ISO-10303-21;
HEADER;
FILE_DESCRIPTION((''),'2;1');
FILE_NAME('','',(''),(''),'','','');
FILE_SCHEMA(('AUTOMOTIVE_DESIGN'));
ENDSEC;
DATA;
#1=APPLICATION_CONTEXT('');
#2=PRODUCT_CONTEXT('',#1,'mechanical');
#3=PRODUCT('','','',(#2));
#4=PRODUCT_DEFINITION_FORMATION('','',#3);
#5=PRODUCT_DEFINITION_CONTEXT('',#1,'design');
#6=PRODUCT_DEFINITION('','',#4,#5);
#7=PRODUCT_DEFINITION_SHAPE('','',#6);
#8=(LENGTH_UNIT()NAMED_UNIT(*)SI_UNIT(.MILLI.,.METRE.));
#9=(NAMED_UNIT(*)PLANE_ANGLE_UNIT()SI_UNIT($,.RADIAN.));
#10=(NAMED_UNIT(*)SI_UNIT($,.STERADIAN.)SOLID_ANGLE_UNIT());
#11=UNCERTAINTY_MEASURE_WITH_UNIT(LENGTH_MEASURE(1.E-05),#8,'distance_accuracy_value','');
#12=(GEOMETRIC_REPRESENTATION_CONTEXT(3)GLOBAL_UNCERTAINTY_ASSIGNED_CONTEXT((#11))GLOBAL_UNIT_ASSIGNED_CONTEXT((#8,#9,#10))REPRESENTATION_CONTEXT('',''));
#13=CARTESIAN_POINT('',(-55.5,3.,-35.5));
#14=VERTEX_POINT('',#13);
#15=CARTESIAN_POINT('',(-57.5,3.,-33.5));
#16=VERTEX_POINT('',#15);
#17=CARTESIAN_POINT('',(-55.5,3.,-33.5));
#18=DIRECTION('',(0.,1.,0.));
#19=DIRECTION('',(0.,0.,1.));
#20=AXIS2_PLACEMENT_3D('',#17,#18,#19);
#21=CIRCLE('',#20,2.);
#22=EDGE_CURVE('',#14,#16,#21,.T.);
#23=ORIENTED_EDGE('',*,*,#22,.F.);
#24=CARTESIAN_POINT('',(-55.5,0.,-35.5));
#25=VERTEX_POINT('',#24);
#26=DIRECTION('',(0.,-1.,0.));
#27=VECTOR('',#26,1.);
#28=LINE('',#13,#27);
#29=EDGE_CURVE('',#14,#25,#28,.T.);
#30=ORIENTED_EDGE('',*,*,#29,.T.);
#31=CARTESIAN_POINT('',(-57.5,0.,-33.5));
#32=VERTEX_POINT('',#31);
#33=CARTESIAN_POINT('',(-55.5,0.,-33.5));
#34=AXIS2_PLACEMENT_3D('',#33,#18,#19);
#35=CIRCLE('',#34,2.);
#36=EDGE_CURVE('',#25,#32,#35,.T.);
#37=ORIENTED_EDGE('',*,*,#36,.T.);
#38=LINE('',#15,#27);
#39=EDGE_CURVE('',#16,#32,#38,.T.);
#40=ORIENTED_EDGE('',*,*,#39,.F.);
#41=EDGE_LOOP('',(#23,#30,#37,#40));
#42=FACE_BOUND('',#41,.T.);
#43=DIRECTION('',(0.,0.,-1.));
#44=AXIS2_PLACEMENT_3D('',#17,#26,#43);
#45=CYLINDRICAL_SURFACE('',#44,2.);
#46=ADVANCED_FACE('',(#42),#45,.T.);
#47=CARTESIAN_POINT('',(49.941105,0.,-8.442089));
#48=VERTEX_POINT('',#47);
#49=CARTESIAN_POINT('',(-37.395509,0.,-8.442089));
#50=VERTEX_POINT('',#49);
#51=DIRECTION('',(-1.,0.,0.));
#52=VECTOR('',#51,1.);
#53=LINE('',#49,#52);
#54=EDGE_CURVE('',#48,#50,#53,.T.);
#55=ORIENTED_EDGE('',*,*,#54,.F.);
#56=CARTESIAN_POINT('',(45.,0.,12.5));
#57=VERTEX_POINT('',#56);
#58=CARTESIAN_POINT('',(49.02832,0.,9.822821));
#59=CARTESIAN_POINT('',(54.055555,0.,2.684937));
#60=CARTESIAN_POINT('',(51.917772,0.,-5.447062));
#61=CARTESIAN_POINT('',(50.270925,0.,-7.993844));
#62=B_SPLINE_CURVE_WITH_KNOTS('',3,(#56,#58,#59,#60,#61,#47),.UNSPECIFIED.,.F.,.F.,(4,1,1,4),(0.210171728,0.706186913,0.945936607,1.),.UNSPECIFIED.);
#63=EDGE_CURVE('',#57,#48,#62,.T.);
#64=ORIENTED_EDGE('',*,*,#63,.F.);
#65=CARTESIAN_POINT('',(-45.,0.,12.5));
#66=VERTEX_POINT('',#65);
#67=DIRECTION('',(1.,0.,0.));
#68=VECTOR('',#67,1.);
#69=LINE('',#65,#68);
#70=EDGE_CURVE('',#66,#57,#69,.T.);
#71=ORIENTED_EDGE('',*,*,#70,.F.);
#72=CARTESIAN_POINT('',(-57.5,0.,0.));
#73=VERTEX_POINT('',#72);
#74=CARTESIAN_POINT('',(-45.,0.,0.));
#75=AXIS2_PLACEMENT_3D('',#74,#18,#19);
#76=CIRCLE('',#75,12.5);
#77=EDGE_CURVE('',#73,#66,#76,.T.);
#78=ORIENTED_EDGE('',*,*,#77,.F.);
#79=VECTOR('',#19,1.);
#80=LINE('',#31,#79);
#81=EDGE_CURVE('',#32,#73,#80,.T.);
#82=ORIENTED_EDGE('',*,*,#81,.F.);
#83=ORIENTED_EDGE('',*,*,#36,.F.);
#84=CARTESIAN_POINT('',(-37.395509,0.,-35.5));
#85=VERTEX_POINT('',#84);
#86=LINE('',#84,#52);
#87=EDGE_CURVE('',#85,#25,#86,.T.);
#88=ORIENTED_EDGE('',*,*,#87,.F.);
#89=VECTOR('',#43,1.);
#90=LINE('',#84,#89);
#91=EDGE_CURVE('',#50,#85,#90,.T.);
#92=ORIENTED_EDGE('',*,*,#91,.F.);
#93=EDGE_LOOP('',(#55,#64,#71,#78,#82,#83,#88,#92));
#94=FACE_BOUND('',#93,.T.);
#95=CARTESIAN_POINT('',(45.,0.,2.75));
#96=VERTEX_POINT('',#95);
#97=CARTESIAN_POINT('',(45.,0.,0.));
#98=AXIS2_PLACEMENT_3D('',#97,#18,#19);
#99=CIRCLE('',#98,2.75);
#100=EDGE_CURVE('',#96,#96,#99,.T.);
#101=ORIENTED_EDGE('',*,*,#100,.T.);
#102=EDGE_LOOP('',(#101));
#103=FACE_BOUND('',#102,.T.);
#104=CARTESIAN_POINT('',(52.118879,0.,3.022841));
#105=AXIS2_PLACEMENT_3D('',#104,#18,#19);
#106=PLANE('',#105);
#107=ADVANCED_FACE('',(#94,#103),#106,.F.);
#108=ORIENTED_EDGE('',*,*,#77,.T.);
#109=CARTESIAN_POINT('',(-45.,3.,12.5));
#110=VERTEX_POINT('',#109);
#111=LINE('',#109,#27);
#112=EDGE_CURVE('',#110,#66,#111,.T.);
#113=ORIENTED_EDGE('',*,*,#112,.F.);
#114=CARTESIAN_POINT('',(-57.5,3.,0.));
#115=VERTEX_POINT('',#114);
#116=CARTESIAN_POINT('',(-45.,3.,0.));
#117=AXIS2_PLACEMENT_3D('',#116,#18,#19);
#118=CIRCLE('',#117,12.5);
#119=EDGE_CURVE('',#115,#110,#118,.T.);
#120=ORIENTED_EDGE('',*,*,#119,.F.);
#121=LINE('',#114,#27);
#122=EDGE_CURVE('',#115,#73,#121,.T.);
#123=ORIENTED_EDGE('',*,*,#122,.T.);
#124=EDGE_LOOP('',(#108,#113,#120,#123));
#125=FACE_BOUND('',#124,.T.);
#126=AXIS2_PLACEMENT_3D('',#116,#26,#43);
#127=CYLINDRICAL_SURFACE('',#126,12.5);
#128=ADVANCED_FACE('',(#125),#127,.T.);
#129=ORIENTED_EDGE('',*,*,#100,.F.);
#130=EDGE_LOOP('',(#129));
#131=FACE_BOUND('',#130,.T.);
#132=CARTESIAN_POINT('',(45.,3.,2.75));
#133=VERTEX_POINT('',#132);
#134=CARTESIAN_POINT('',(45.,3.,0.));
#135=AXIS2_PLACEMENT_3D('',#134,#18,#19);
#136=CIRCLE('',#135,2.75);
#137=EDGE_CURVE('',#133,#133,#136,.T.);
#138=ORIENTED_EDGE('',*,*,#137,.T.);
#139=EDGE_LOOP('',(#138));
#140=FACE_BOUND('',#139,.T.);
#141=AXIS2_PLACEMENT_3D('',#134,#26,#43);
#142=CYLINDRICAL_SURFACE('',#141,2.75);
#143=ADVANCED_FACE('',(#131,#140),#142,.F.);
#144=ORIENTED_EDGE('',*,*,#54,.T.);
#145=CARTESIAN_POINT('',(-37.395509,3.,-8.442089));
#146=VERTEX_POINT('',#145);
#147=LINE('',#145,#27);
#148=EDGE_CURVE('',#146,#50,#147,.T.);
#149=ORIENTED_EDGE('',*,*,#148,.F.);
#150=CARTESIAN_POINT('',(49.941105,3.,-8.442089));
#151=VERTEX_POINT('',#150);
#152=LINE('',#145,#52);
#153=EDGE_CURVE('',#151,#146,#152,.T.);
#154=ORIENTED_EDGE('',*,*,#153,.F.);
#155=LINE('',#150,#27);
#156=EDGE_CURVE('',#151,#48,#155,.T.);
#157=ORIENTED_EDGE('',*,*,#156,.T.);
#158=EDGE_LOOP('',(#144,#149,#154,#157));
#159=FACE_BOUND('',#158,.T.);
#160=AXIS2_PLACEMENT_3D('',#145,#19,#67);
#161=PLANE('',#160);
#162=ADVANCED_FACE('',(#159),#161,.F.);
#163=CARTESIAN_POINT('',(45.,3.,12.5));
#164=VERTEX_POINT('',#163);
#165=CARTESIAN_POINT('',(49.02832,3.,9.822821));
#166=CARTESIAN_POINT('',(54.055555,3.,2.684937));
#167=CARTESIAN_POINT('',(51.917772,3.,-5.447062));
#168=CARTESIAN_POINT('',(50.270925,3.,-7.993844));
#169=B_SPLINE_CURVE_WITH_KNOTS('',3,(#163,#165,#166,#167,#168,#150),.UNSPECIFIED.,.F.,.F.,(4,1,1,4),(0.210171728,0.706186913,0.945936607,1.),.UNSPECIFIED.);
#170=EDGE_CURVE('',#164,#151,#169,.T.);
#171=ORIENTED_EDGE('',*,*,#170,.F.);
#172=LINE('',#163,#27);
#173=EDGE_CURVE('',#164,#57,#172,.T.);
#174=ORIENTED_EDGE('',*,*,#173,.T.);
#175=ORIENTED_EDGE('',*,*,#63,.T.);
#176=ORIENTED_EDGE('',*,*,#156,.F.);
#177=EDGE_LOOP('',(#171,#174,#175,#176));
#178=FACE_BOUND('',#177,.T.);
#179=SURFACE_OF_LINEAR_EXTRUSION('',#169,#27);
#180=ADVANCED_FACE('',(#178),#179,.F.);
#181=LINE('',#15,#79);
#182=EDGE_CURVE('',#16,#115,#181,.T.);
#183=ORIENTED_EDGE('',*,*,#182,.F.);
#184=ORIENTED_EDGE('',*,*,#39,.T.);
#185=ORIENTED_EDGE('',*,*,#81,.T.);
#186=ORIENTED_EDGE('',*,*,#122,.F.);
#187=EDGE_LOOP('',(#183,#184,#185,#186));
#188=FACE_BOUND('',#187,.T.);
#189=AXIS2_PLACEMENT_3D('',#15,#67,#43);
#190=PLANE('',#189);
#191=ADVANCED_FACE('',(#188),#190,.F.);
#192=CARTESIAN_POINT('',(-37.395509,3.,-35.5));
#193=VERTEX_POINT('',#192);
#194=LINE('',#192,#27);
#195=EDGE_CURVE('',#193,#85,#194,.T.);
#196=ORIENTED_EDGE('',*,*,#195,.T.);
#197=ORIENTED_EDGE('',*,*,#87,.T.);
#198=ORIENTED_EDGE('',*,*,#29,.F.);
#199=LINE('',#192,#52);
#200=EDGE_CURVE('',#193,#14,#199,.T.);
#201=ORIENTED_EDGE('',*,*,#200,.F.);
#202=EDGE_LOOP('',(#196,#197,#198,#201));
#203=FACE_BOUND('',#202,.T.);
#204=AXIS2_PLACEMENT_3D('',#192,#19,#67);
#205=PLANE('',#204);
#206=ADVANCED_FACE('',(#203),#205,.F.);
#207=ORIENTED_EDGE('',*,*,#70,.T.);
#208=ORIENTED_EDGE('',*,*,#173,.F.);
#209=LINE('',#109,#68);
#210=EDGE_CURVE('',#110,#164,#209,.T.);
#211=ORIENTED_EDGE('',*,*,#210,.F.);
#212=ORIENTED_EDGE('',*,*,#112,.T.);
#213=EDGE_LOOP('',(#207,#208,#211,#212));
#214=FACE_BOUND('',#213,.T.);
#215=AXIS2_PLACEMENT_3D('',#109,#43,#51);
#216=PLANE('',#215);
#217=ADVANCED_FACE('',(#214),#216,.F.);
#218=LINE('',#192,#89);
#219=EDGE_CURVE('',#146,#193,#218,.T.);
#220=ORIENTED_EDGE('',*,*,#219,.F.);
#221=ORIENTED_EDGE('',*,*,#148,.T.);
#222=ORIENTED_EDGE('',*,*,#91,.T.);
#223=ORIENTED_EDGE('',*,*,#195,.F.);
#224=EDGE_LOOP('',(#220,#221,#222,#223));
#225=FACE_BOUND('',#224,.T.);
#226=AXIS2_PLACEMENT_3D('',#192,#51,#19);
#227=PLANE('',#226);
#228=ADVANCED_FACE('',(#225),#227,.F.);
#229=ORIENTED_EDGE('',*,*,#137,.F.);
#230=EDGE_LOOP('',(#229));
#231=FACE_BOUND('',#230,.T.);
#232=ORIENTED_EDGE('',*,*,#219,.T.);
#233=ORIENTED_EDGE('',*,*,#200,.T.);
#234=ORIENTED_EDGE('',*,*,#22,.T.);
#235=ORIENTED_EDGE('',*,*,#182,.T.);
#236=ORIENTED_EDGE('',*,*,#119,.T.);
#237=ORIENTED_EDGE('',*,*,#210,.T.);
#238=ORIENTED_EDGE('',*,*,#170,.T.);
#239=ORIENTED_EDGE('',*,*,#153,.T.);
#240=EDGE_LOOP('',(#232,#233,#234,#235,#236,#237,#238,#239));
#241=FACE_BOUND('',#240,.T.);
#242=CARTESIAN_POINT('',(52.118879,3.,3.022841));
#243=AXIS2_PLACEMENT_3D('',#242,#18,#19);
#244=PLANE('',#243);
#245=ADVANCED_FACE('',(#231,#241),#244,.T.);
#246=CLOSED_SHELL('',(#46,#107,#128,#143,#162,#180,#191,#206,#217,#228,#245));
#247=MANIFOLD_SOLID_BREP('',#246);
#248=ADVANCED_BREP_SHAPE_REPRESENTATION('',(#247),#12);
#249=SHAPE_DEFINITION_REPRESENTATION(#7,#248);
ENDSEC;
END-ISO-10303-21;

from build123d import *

# Parameters (mm, degrees)
SKETCH1_R           = 2.75
BOSS_EXTRUDE6_DEPTH = 3


with BuildPart() as part:
    # Sketch1 → Boss-Extrude6 (new body)
    with BuildSketch(Plane(origin=(0, 0, 0), x_dir=(1, 0, 0), z_dir=(0, 1, 0))):
        with BuildLine():
            Line((-45, -12.5), (45, -12.5))
            add(Edge.make_bspline(
                [(49.941104818, 8.442089367), (50.270924983, 7.993844293), (51.917772, 5.447061543), (54.055554594, -2.684937186), (49.028319605, -9.822821411), (45, -12.5)],
                knots=[0.210171728, 0.210171728, 0.210171728, 0.210171728, 0.264235121, 0.503984815, 1, 1, 1, 1], degree=3))
            Line((49.941104818, 8.442089367), (-37.395508702, 8.442089367))
            Line((-37.395508702, 8.442089367), (-37.395508702, 35.5))
            Line((-37.395508702, 35.5), (-55.5, 35.5))
            ThreePointArc((-55.5, 35.5), (-56.914213562, 34.914213562), (-57.5, 33.5))
            Line((-57.5, 33.5), (-57.5, 0))
            ThreePointArc((-57.5, 0), (-53.838834765, -8.838834765), (-45, -12.5))
        make_face()
        with Locations((45, 0)):
            Circle(SKETCH1_R, mode=Mode.SUBTRACT)
    extrude(amount=BOSS_EXTRUDE6_DEPTH)


solid = part.part
